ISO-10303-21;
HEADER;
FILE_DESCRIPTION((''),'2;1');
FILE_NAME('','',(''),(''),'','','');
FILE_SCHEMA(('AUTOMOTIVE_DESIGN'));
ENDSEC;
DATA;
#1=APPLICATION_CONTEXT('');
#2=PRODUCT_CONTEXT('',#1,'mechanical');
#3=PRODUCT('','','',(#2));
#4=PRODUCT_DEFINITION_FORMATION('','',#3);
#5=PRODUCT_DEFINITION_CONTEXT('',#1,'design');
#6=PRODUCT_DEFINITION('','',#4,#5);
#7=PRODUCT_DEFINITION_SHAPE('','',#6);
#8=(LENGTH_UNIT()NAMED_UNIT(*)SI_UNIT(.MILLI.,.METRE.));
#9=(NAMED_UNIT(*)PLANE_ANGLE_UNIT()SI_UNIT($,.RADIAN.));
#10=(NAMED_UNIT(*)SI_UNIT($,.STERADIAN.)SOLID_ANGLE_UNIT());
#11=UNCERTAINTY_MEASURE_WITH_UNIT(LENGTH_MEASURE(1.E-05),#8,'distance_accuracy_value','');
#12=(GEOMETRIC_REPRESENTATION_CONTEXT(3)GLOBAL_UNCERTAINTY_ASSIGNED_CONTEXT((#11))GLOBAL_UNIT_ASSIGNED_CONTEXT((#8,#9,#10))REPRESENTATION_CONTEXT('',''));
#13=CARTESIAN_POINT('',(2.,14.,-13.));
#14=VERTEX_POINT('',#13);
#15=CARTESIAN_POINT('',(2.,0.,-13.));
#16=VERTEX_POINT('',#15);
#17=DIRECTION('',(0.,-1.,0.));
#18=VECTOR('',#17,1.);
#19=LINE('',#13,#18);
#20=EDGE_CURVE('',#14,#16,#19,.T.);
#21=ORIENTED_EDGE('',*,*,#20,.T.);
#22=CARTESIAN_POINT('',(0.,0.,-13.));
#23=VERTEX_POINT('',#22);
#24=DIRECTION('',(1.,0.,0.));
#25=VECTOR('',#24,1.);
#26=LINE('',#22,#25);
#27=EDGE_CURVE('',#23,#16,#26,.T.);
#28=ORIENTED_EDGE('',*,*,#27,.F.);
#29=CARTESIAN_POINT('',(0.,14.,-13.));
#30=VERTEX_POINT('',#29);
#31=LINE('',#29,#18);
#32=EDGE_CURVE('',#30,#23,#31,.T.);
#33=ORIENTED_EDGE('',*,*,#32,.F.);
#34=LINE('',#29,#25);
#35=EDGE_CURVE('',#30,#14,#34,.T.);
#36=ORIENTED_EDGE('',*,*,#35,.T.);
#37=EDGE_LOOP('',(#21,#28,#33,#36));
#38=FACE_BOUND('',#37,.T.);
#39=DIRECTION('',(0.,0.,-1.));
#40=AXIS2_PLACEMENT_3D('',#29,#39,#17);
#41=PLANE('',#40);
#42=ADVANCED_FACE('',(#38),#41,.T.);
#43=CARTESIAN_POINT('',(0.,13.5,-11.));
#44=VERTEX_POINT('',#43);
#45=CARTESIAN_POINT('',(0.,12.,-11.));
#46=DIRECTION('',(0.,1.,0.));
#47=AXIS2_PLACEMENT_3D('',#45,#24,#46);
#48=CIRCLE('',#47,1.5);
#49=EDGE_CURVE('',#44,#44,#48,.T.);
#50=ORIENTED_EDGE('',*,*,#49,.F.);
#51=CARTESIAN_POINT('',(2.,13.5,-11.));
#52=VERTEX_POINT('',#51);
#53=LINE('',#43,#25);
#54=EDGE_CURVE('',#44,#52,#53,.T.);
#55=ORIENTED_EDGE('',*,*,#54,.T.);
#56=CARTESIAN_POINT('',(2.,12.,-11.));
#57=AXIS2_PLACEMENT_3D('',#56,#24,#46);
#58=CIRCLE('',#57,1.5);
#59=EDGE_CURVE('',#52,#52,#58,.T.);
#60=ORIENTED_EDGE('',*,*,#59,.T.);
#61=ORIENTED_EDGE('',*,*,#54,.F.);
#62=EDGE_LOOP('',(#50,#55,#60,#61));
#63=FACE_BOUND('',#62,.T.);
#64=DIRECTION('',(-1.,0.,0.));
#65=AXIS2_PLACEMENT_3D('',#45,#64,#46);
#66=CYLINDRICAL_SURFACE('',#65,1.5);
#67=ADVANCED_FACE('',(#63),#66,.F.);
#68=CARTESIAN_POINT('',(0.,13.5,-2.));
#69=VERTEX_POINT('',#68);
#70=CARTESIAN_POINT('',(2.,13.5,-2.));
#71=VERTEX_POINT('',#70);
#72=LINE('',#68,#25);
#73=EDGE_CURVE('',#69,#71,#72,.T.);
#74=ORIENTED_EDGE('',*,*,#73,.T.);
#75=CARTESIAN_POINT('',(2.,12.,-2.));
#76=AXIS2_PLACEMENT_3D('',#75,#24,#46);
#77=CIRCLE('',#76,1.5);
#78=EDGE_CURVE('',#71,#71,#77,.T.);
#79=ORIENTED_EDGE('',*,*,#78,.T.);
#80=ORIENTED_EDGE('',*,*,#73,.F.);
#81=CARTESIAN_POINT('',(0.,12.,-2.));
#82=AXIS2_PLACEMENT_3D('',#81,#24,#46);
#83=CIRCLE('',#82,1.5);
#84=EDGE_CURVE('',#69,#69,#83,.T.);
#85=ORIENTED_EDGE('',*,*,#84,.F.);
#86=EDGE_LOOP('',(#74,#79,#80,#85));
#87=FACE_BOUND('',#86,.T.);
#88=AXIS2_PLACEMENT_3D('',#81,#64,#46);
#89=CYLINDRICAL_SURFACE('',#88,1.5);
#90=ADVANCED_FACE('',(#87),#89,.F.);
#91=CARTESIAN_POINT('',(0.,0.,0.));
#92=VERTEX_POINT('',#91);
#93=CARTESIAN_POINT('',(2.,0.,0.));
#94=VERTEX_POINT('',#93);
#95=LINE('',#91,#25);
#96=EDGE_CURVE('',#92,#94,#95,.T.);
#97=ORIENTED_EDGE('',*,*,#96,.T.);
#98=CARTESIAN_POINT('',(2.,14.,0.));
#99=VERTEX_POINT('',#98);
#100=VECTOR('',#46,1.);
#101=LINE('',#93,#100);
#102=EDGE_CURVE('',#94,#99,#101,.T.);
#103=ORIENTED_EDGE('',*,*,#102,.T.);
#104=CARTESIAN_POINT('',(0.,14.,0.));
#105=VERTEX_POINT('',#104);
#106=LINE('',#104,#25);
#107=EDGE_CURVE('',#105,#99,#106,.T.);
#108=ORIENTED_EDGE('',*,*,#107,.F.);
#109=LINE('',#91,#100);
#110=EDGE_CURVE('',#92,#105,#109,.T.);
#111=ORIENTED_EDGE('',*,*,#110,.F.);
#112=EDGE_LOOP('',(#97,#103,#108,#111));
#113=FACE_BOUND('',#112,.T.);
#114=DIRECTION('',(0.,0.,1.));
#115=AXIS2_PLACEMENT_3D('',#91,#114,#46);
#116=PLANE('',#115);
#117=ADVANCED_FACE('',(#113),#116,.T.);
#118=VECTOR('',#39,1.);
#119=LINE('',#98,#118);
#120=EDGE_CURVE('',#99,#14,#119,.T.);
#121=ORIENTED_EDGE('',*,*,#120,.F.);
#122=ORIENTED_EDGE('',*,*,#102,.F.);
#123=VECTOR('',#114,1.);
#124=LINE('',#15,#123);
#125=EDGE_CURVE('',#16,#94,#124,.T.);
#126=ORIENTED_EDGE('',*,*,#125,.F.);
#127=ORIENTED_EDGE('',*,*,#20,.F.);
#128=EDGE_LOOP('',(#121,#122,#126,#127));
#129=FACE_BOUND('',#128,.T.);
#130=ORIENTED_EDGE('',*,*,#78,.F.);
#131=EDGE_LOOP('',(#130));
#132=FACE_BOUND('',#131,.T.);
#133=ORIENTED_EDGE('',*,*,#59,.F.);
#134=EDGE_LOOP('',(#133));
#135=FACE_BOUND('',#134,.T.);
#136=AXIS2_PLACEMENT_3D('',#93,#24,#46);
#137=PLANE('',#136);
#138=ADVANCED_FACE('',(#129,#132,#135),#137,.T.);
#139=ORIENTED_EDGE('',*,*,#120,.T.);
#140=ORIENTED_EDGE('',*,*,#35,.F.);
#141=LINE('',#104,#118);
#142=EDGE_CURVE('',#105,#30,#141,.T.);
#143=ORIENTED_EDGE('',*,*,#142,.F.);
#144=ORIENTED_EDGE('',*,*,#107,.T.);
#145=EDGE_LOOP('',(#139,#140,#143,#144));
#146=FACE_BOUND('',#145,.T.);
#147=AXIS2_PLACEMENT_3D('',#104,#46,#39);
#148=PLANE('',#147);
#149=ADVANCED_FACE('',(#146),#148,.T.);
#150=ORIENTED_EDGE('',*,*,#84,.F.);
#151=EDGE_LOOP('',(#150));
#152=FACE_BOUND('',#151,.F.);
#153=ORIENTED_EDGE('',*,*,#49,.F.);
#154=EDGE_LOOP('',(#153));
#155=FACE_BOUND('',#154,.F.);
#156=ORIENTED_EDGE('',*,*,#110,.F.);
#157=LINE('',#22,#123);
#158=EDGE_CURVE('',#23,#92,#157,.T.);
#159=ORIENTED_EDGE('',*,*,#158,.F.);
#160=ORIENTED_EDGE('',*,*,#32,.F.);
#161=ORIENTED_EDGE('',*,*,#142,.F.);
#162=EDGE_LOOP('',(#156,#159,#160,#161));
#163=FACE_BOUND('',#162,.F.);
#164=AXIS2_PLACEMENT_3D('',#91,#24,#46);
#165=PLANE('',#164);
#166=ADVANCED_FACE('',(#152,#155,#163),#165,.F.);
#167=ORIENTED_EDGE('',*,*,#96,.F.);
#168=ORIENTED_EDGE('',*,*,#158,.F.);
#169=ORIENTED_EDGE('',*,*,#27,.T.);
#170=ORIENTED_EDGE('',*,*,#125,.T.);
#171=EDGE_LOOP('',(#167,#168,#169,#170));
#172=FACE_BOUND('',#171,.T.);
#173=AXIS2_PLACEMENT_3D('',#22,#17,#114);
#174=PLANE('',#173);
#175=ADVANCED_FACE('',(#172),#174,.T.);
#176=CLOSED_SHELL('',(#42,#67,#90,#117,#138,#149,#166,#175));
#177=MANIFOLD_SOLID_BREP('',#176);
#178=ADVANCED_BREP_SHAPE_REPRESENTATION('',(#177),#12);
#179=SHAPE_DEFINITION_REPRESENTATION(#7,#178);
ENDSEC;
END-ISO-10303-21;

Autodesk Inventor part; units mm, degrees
ref_plane "YZ Plane" through (0, 0, 0) normal (1, 0, 0) x (0, 1, 0)
ref_plane "XZ Plane" through (0, 0, 0) normal (0, 1, 0) x (-1, 0, 0)
ref_plane "XY Plane" through (0, 0, 0) normal (0, 0, 1) x (1, 0, 0)
sketch "Szkic1" plane through (0, 0, 0) normal (1, 0, 0) x (0, 1, 0)
  line L0 (0, 0) -> (14, 0)
  line L1 (14, 0) -> (14, -13)
  line L2 (14, -13) -> (0, -13)
  line L3 (0, -13) -> (0, 0)
  circle A0 centre (12, -2) radius 1.5
  circle A1 centre (12, -11) radius 1.5
  dimension "d0" = 14
  dimension "d1" = 13
  dimension "d2" = 3
  dimension "d3" = 3
  dimension "d4" = 2
  dimension "d5" = 2
  dimension "d6" = 2
extrude "Wyciągnięcie proste1" add sketch "Szkic1" along normal blind 2
properties part number "czunik_magnetometr"
